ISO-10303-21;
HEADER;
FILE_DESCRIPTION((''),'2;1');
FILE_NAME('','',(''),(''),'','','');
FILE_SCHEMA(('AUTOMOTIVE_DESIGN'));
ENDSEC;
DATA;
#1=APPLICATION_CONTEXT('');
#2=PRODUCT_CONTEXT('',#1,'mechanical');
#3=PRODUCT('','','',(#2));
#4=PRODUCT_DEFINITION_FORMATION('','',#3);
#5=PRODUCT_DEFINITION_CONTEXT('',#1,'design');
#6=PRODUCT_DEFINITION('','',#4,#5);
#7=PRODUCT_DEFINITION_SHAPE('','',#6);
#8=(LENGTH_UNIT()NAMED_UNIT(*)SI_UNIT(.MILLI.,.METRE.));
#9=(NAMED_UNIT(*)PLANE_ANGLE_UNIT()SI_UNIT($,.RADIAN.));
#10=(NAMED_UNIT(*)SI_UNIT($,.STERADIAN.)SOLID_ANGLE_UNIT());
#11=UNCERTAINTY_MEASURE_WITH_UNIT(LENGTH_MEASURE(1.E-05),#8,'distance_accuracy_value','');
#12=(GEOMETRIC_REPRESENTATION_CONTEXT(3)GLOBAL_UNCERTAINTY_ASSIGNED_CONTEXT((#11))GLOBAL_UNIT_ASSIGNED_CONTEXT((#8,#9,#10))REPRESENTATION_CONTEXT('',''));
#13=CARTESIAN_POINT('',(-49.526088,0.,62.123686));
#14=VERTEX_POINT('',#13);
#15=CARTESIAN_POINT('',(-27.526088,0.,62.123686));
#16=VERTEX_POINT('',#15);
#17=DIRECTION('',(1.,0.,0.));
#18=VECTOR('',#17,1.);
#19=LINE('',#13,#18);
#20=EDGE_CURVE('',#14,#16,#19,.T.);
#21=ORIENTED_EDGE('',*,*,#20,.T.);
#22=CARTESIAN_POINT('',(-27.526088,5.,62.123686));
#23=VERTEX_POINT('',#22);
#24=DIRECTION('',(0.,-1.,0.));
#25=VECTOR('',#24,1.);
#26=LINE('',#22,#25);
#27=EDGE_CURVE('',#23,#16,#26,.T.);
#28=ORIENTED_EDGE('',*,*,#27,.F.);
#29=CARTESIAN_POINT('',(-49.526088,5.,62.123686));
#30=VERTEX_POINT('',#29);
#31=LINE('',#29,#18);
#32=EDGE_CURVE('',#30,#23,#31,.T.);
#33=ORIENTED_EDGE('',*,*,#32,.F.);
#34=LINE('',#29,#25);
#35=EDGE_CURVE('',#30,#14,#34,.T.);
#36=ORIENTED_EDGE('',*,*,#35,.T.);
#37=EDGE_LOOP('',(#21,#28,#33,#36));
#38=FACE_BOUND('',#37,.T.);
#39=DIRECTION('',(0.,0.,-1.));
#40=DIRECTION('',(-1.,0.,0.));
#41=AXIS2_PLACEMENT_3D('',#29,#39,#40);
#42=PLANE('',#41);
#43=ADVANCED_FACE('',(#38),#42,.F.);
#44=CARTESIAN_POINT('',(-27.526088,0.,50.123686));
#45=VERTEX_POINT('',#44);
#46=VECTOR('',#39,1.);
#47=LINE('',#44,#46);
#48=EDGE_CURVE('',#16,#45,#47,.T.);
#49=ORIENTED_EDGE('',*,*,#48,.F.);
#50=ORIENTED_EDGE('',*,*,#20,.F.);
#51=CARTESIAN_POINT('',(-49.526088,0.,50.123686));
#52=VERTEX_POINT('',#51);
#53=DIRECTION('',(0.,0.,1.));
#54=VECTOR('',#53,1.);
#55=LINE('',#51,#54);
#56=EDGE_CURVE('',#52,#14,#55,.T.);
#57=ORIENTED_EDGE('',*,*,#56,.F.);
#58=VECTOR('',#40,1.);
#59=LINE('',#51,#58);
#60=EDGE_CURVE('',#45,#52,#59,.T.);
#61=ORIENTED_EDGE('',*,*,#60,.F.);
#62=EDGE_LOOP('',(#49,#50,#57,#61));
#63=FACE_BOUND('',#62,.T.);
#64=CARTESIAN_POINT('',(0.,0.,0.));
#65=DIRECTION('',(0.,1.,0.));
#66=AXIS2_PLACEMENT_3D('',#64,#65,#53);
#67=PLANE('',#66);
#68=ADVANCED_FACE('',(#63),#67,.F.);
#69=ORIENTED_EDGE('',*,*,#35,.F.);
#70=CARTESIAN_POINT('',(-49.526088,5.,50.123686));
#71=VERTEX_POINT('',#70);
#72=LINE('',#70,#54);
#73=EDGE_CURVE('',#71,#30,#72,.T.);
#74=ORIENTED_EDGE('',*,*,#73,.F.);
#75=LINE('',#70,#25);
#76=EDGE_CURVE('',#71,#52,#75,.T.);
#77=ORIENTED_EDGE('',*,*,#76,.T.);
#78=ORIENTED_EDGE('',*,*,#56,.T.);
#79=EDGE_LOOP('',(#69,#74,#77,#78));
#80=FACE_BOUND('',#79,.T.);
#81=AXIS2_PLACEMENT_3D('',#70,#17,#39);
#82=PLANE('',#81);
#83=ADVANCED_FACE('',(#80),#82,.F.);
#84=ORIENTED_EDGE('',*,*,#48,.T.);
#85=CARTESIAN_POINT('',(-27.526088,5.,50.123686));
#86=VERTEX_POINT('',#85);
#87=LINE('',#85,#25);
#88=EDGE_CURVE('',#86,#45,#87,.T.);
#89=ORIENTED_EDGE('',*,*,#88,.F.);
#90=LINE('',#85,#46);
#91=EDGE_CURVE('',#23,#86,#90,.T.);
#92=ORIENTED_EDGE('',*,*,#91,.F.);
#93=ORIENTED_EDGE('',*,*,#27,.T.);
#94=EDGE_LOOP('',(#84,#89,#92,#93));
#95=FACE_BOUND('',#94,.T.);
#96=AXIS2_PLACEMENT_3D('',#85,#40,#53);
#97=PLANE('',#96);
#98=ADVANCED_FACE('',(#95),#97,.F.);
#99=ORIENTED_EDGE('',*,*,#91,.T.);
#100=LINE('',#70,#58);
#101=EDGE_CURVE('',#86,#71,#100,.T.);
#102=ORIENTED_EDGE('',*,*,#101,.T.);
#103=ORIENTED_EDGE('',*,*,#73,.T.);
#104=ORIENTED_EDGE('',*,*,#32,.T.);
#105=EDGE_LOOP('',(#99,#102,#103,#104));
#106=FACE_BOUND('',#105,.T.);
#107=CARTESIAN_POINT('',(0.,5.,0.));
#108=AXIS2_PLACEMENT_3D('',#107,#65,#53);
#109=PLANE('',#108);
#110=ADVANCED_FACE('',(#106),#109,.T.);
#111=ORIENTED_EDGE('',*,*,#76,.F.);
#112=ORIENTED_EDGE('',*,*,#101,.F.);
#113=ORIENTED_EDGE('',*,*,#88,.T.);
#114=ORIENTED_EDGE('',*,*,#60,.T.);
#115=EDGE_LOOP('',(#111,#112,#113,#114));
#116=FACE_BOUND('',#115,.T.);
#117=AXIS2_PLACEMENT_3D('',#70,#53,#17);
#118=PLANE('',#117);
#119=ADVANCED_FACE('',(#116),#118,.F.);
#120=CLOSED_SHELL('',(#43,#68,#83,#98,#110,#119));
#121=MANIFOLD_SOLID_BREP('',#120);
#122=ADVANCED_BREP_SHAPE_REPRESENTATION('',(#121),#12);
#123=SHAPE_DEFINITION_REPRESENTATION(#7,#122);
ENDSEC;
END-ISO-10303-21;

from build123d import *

# Parameters (mm, degrees)
SKETCH_2_W      = 22
SKETCH_2_H      = 12
EXTRUDE_1_DEPTH = 5


with BuildPart() as part:
    # 草图2 → 凸台-拉伸1 (new body)
    with BuildSketch(Plane(origin=(0, 0, 0), x_dir=(1, 0, 0), z_dir=(0, 1, 0))):
        with Locations((-38.526087995, -56.123686294)):
            Rectangle(SKETCH_2_W, SKETCH_2_H)
    extrude(amount=EXTRUDE_1_DEPTH)


solid = part.part
